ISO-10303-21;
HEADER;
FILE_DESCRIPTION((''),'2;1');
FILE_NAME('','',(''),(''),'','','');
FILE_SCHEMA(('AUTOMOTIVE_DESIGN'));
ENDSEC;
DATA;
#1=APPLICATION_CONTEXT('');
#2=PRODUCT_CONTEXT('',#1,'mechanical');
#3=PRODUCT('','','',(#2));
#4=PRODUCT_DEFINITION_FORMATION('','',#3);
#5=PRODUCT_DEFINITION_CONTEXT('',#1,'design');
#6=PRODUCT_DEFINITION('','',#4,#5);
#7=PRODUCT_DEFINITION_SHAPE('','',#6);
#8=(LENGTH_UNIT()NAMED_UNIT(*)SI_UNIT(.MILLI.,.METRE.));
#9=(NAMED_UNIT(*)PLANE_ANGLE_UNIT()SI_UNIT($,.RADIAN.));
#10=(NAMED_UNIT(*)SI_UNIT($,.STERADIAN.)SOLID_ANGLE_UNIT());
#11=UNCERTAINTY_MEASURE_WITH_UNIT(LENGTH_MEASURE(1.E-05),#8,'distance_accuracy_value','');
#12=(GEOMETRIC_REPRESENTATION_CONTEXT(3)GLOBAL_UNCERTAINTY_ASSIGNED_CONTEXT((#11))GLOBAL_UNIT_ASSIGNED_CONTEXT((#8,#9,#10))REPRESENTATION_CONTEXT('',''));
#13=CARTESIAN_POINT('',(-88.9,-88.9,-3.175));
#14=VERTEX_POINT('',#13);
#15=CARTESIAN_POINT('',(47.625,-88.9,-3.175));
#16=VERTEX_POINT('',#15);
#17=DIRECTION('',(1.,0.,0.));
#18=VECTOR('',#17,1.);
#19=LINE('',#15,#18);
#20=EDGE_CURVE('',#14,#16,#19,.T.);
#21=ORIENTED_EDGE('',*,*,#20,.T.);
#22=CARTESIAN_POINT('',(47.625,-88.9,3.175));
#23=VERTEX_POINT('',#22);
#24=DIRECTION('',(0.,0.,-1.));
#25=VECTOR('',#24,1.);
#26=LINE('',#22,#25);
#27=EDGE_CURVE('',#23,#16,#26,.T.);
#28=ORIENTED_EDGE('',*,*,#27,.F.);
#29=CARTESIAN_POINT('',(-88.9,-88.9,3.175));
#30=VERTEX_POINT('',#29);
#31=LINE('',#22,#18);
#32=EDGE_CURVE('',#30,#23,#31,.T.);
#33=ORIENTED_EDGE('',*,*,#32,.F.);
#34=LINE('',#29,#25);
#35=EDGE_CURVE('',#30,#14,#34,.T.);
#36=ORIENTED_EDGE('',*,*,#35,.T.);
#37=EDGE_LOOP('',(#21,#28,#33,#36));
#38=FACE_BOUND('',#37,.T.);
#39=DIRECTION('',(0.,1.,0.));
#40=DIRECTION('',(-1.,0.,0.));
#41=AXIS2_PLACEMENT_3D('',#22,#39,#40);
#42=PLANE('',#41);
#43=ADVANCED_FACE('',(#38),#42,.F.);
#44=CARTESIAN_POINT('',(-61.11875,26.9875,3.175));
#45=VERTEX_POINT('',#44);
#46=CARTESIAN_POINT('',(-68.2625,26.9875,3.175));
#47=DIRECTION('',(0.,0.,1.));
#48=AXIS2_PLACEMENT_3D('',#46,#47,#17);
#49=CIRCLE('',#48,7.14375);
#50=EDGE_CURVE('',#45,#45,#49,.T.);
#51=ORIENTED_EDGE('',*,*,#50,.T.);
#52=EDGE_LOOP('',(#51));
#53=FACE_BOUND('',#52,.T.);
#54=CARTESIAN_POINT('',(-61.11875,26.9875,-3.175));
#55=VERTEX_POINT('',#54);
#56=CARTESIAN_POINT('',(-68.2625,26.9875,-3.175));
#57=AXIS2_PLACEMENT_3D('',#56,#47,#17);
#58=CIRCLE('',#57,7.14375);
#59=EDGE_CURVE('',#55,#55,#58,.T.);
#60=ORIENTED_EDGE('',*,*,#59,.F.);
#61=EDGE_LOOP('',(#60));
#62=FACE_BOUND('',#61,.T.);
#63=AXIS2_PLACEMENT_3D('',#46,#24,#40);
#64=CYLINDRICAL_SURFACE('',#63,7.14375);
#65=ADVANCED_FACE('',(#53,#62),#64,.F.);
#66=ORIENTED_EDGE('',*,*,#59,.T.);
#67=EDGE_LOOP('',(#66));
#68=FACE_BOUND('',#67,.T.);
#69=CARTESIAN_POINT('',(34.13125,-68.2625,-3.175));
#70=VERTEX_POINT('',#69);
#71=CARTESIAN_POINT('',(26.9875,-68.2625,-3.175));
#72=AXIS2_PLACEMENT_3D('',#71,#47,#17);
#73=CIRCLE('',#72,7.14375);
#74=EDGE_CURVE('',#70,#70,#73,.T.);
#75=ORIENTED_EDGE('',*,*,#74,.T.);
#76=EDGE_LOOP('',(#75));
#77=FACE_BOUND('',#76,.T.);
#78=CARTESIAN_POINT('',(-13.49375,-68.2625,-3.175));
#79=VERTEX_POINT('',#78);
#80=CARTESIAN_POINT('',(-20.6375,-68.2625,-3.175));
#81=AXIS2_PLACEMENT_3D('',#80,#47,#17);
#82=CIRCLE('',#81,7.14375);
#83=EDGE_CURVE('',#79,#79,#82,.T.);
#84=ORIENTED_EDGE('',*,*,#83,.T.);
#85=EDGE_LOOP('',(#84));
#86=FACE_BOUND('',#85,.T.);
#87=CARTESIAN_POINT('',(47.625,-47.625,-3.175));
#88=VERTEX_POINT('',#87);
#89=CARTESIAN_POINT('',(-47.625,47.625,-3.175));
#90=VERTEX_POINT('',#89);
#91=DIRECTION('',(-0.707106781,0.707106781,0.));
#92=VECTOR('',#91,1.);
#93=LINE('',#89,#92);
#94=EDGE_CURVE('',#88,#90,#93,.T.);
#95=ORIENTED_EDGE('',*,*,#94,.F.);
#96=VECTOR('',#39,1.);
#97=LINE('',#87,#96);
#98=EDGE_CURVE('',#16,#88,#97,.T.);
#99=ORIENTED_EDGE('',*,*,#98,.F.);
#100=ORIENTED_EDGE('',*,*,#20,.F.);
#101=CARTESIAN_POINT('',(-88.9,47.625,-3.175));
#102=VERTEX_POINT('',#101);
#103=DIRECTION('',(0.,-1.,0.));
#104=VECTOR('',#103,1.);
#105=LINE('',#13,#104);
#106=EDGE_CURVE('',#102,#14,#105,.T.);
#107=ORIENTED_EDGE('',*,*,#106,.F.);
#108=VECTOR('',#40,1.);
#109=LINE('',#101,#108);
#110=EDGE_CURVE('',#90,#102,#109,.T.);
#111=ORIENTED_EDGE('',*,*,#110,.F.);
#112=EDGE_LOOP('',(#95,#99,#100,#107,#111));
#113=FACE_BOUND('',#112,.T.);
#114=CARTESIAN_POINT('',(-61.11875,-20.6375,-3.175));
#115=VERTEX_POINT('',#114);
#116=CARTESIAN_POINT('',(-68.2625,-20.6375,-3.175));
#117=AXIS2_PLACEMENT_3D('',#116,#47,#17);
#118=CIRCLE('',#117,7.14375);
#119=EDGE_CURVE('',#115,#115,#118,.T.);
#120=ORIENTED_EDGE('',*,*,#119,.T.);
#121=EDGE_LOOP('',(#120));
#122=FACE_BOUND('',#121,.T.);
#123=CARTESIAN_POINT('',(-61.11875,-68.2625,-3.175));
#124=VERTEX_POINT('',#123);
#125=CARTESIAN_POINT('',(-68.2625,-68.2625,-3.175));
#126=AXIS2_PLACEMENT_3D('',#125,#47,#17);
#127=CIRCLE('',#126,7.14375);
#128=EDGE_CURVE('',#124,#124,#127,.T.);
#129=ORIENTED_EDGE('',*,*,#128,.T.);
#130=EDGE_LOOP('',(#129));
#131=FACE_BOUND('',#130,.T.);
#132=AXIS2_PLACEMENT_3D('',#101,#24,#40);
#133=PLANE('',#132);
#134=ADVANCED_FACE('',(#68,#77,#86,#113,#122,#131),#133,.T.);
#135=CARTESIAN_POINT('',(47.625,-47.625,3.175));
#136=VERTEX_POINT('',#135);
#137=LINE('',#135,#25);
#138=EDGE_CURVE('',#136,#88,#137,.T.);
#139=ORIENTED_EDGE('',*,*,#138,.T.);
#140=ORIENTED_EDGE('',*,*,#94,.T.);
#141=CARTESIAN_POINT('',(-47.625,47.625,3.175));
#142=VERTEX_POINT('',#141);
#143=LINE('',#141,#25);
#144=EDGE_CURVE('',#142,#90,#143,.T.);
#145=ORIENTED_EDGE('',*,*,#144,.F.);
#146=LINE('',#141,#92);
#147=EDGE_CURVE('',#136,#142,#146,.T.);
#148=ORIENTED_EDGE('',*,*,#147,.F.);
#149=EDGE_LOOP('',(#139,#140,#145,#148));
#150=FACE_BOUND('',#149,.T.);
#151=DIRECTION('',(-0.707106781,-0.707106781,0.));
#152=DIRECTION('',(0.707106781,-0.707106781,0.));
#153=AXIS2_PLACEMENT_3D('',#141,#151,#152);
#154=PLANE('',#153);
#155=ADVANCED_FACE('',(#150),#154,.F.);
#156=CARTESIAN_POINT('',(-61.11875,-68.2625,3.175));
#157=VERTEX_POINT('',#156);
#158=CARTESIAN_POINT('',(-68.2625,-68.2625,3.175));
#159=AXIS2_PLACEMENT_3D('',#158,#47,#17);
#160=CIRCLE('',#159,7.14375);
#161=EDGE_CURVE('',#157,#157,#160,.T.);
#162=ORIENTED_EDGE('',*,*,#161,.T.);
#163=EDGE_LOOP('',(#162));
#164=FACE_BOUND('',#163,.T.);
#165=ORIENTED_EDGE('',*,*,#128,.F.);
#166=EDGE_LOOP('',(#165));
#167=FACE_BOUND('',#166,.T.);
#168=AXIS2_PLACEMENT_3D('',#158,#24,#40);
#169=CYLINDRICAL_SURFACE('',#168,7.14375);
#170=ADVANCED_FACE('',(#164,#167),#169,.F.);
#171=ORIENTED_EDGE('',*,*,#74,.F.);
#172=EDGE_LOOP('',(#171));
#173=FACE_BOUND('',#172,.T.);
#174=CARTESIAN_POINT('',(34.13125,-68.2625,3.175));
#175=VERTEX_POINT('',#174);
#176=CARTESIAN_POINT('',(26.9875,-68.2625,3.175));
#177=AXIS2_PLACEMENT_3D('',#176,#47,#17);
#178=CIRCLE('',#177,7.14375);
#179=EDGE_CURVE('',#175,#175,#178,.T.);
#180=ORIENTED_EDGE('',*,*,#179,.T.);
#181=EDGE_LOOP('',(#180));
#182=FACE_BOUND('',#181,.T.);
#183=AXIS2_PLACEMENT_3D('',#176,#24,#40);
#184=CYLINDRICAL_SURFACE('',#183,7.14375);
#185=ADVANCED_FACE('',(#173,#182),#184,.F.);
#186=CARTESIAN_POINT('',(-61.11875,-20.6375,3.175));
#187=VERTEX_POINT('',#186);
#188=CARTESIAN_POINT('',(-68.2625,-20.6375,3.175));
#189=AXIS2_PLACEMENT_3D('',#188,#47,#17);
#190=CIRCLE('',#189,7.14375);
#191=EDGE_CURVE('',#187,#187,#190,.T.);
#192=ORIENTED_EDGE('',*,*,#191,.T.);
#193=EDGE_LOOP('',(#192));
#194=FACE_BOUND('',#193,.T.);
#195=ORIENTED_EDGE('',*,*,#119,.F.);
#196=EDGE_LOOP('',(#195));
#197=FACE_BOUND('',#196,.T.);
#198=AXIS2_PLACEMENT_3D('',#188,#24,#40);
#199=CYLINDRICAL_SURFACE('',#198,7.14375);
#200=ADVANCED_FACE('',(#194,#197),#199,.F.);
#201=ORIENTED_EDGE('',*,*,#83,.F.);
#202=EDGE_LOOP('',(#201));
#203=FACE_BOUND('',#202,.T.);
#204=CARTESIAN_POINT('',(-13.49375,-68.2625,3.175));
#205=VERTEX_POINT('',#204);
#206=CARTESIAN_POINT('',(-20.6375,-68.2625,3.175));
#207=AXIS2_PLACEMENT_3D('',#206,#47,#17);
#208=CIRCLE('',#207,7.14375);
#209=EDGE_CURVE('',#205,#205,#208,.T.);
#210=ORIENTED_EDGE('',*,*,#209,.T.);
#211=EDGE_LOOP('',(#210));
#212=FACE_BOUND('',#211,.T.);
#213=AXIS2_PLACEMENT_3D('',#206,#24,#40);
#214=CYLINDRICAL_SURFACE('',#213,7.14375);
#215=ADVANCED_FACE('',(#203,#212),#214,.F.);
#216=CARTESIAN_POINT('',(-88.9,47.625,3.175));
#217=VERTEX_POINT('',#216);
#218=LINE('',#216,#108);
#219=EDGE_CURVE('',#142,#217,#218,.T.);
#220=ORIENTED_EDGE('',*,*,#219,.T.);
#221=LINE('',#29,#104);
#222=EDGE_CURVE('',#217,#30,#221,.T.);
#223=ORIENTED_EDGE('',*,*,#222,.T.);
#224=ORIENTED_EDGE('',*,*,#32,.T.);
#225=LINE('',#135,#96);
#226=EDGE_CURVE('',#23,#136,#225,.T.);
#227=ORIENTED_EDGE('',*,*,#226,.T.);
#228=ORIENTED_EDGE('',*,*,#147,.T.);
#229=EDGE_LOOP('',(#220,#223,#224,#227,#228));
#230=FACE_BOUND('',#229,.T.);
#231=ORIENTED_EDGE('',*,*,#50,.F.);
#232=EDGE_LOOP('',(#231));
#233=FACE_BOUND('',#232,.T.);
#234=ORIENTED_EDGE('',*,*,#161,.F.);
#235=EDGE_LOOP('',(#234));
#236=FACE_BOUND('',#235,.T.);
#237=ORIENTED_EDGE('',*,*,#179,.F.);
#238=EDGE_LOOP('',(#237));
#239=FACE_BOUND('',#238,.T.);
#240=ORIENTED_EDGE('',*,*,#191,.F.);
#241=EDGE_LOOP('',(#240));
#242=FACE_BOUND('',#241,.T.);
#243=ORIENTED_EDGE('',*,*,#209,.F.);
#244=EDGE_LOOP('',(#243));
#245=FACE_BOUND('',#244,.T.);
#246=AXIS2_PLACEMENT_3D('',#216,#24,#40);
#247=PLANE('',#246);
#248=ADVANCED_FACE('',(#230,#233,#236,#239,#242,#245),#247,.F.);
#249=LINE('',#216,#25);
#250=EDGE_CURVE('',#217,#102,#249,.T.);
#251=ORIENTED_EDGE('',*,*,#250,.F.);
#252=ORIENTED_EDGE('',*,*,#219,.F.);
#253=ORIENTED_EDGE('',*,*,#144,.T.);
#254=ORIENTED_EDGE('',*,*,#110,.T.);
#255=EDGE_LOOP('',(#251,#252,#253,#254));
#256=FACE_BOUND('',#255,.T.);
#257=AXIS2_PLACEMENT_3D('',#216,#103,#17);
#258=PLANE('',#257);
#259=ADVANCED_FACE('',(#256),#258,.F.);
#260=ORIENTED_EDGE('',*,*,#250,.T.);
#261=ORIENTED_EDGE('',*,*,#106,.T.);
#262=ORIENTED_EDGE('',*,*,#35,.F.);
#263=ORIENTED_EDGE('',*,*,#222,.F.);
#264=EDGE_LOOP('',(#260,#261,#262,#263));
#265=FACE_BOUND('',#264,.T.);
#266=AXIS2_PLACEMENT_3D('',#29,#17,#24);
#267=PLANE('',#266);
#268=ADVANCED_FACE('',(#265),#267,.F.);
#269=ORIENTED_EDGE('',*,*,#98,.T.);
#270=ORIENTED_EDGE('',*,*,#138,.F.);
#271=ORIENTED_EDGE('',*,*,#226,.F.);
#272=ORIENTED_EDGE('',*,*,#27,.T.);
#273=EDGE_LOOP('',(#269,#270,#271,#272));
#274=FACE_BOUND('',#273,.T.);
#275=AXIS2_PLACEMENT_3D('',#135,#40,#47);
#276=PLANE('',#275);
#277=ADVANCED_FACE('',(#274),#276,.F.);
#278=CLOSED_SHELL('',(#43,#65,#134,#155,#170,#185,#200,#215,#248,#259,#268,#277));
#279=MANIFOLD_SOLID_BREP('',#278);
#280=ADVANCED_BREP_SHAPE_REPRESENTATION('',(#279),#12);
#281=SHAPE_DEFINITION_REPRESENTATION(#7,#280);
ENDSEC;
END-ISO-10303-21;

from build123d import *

# Parameters (mm, degrees)
SKETCH1_R           = 7.14375
BOSS_EXTRUDE1_DEPTH = 3.175


with BuildPart() as part:
    # Sketch1 → Boss-Extrude1 (new, symmetric)
    with BuildSketch(Plane.XY):
        Polygon((-88.9, 47.625), (-47.625, 47.625), (47.625, -47.625), (47.625, -88.9), (-88.9, -88.9), align=None)
        with Locations((-68.2625, -68.2625)):
            Circle(SKETCH1_R, mode=Mode.SUBTRACT)
        with Locations((-68.2625, -20.6375)):
            Circle(SKETCH1_R, mode=Mode.SUBTRACT)
        with Locations((-68.2625, 26.9875)):
            Circle(SKETCH1_R, mode=Mode.SUBTRACT)
        with Locations((-20.6375, -68.2625)):
            Circle(SKETCH1_R, mode=Mode.SUBTRACT)
        with Locations((26.9875, -68.2625)):
            Circle(SKETCH1_R, mode=Mode.SUBTRACT)
    extrude(amount=BOSS_EXTRUDE1_DEPTH, both=True)


solid = part.part
